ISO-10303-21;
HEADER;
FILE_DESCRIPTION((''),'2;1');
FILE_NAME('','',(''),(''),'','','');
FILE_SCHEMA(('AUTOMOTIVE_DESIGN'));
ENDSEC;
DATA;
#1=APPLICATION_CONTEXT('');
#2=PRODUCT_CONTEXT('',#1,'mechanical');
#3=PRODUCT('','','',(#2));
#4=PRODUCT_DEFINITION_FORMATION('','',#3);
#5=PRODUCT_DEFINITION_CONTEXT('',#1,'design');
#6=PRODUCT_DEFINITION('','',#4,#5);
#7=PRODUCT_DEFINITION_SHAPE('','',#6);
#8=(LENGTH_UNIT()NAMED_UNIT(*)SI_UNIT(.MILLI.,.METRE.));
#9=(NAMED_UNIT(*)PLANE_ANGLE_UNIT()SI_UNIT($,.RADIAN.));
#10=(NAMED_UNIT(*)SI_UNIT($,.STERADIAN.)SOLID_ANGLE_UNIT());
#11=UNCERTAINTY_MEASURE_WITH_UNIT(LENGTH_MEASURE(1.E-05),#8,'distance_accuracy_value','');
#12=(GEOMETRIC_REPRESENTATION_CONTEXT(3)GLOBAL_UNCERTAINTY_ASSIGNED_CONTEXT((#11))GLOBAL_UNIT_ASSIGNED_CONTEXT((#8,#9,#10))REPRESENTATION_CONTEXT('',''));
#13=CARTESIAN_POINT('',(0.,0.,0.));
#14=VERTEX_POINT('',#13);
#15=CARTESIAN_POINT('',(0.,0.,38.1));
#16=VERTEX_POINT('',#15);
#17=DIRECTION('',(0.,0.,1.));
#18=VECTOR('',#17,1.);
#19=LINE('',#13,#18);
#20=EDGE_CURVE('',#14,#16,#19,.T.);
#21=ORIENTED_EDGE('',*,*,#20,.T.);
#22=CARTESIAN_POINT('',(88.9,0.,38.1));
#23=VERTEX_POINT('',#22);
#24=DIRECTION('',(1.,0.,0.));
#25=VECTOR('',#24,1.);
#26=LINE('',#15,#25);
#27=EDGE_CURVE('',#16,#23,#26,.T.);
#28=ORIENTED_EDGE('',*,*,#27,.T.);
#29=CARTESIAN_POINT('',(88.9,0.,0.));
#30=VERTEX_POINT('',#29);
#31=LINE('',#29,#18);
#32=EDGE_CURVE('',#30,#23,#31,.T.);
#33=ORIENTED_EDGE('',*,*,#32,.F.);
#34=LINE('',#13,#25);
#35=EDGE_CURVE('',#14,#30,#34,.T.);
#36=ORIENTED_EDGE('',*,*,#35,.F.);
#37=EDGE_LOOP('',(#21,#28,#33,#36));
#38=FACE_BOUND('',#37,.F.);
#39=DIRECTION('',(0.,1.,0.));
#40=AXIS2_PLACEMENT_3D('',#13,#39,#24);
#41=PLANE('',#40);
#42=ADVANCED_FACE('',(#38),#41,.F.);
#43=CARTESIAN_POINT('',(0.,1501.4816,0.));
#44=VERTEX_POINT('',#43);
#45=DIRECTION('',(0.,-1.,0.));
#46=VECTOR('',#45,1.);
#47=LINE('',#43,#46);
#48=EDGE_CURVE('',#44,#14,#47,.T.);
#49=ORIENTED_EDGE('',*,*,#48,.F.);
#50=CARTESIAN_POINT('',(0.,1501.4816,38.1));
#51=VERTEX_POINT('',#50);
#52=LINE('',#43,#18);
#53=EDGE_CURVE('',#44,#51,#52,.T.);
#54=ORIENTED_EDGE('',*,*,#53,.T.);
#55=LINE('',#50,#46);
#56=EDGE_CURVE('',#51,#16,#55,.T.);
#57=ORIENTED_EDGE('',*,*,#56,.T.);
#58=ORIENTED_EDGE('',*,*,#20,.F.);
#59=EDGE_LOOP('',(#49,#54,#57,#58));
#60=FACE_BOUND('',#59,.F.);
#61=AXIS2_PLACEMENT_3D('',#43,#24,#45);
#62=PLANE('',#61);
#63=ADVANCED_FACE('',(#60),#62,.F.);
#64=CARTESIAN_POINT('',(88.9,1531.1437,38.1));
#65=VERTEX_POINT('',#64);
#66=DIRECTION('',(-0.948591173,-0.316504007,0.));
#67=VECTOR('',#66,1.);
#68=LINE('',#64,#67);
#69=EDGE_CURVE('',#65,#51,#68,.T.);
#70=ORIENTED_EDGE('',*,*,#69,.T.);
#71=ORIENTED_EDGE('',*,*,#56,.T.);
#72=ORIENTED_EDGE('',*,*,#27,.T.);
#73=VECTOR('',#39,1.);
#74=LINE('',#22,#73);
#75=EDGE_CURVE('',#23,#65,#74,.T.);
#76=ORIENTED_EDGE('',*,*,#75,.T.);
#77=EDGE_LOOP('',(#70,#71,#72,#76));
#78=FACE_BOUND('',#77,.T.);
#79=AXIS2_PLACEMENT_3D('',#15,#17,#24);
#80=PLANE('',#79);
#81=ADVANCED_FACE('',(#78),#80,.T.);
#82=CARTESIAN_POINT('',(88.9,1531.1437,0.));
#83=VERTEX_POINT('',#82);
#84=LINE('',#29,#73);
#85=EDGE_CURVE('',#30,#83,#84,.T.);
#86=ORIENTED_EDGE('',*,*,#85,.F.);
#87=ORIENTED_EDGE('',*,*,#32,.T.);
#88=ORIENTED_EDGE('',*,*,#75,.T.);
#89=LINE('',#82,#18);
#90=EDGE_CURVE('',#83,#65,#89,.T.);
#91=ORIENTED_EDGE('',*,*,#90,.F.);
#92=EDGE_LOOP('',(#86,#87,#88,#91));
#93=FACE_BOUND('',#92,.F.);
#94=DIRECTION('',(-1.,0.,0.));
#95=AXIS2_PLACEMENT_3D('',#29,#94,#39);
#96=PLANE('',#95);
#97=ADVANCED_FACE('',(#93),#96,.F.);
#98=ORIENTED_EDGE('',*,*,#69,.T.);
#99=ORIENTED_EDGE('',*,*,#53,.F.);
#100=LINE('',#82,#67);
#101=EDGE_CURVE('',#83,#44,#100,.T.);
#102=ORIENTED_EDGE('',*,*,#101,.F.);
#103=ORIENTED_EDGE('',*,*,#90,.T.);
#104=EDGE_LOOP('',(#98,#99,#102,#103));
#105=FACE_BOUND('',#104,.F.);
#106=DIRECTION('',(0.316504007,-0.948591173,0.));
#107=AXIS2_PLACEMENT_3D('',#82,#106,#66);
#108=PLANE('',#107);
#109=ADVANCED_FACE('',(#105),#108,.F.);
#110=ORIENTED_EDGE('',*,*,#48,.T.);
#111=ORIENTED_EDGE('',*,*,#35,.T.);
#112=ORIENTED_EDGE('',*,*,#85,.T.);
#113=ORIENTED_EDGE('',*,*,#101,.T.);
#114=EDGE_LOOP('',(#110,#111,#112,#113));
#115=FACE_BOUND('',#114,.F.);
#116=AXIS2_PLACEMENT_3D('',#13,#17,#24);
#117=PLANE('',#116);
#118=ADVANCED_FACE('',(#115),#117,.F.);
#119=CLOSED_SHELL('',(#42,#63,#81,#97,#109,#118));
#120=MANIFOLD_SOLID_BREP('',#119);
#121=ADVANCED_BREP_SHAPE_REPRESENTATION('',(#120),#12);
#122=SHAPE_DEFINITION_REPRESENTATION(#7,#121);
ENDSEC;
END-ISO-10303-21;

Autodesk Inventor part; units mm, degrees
ref_plane "YZ Plane" through (0, 0, 0) normal (1, 0, 0) x (0, 1, 0)
ref_plane "XZ Plane" through (0, 0, 0) normal (0, 1, 0) x (-1, 0, 0)
ref_plane "XY Plane" through (0, 0, 0) normal (0, 0, 1) x (1, 0, 0)
sketch "Sketch1" plane through (0, 0, 0) normal (0, 0, 1) x (1, 0, 0)
  line L0 (0, 0) -> (88.9, 0)
  line L1 (88.9, 0) -> (88.9, 1531.1437)
  line L2 (0, 1501.4816) -> (0, 0)
  line L3 (88.9, 1531.1437) -> (0, 1501.4816)
  line L4 (88.9, 1531.1437) -> (-3175, 1531.1437)
  line L5 (-3175, 1531.1437) -> (-3175, 442.1187)
  line L6 (-3175, 442.1187) -> (88.9, 1531.1437)
  dimension "d3" = 88.9
  dimension "d6" = 1531.1437
  dimension "d9" = 3263.9
  dimension "d10" = 1089.025
extrude "Extrusion1" add sketch "Sketch1" along normal blind 38.1 contours L2 L3 L1 L0
properties part number "Stud_With_Height_42.5_Inches" material "Wood (Birch)"
